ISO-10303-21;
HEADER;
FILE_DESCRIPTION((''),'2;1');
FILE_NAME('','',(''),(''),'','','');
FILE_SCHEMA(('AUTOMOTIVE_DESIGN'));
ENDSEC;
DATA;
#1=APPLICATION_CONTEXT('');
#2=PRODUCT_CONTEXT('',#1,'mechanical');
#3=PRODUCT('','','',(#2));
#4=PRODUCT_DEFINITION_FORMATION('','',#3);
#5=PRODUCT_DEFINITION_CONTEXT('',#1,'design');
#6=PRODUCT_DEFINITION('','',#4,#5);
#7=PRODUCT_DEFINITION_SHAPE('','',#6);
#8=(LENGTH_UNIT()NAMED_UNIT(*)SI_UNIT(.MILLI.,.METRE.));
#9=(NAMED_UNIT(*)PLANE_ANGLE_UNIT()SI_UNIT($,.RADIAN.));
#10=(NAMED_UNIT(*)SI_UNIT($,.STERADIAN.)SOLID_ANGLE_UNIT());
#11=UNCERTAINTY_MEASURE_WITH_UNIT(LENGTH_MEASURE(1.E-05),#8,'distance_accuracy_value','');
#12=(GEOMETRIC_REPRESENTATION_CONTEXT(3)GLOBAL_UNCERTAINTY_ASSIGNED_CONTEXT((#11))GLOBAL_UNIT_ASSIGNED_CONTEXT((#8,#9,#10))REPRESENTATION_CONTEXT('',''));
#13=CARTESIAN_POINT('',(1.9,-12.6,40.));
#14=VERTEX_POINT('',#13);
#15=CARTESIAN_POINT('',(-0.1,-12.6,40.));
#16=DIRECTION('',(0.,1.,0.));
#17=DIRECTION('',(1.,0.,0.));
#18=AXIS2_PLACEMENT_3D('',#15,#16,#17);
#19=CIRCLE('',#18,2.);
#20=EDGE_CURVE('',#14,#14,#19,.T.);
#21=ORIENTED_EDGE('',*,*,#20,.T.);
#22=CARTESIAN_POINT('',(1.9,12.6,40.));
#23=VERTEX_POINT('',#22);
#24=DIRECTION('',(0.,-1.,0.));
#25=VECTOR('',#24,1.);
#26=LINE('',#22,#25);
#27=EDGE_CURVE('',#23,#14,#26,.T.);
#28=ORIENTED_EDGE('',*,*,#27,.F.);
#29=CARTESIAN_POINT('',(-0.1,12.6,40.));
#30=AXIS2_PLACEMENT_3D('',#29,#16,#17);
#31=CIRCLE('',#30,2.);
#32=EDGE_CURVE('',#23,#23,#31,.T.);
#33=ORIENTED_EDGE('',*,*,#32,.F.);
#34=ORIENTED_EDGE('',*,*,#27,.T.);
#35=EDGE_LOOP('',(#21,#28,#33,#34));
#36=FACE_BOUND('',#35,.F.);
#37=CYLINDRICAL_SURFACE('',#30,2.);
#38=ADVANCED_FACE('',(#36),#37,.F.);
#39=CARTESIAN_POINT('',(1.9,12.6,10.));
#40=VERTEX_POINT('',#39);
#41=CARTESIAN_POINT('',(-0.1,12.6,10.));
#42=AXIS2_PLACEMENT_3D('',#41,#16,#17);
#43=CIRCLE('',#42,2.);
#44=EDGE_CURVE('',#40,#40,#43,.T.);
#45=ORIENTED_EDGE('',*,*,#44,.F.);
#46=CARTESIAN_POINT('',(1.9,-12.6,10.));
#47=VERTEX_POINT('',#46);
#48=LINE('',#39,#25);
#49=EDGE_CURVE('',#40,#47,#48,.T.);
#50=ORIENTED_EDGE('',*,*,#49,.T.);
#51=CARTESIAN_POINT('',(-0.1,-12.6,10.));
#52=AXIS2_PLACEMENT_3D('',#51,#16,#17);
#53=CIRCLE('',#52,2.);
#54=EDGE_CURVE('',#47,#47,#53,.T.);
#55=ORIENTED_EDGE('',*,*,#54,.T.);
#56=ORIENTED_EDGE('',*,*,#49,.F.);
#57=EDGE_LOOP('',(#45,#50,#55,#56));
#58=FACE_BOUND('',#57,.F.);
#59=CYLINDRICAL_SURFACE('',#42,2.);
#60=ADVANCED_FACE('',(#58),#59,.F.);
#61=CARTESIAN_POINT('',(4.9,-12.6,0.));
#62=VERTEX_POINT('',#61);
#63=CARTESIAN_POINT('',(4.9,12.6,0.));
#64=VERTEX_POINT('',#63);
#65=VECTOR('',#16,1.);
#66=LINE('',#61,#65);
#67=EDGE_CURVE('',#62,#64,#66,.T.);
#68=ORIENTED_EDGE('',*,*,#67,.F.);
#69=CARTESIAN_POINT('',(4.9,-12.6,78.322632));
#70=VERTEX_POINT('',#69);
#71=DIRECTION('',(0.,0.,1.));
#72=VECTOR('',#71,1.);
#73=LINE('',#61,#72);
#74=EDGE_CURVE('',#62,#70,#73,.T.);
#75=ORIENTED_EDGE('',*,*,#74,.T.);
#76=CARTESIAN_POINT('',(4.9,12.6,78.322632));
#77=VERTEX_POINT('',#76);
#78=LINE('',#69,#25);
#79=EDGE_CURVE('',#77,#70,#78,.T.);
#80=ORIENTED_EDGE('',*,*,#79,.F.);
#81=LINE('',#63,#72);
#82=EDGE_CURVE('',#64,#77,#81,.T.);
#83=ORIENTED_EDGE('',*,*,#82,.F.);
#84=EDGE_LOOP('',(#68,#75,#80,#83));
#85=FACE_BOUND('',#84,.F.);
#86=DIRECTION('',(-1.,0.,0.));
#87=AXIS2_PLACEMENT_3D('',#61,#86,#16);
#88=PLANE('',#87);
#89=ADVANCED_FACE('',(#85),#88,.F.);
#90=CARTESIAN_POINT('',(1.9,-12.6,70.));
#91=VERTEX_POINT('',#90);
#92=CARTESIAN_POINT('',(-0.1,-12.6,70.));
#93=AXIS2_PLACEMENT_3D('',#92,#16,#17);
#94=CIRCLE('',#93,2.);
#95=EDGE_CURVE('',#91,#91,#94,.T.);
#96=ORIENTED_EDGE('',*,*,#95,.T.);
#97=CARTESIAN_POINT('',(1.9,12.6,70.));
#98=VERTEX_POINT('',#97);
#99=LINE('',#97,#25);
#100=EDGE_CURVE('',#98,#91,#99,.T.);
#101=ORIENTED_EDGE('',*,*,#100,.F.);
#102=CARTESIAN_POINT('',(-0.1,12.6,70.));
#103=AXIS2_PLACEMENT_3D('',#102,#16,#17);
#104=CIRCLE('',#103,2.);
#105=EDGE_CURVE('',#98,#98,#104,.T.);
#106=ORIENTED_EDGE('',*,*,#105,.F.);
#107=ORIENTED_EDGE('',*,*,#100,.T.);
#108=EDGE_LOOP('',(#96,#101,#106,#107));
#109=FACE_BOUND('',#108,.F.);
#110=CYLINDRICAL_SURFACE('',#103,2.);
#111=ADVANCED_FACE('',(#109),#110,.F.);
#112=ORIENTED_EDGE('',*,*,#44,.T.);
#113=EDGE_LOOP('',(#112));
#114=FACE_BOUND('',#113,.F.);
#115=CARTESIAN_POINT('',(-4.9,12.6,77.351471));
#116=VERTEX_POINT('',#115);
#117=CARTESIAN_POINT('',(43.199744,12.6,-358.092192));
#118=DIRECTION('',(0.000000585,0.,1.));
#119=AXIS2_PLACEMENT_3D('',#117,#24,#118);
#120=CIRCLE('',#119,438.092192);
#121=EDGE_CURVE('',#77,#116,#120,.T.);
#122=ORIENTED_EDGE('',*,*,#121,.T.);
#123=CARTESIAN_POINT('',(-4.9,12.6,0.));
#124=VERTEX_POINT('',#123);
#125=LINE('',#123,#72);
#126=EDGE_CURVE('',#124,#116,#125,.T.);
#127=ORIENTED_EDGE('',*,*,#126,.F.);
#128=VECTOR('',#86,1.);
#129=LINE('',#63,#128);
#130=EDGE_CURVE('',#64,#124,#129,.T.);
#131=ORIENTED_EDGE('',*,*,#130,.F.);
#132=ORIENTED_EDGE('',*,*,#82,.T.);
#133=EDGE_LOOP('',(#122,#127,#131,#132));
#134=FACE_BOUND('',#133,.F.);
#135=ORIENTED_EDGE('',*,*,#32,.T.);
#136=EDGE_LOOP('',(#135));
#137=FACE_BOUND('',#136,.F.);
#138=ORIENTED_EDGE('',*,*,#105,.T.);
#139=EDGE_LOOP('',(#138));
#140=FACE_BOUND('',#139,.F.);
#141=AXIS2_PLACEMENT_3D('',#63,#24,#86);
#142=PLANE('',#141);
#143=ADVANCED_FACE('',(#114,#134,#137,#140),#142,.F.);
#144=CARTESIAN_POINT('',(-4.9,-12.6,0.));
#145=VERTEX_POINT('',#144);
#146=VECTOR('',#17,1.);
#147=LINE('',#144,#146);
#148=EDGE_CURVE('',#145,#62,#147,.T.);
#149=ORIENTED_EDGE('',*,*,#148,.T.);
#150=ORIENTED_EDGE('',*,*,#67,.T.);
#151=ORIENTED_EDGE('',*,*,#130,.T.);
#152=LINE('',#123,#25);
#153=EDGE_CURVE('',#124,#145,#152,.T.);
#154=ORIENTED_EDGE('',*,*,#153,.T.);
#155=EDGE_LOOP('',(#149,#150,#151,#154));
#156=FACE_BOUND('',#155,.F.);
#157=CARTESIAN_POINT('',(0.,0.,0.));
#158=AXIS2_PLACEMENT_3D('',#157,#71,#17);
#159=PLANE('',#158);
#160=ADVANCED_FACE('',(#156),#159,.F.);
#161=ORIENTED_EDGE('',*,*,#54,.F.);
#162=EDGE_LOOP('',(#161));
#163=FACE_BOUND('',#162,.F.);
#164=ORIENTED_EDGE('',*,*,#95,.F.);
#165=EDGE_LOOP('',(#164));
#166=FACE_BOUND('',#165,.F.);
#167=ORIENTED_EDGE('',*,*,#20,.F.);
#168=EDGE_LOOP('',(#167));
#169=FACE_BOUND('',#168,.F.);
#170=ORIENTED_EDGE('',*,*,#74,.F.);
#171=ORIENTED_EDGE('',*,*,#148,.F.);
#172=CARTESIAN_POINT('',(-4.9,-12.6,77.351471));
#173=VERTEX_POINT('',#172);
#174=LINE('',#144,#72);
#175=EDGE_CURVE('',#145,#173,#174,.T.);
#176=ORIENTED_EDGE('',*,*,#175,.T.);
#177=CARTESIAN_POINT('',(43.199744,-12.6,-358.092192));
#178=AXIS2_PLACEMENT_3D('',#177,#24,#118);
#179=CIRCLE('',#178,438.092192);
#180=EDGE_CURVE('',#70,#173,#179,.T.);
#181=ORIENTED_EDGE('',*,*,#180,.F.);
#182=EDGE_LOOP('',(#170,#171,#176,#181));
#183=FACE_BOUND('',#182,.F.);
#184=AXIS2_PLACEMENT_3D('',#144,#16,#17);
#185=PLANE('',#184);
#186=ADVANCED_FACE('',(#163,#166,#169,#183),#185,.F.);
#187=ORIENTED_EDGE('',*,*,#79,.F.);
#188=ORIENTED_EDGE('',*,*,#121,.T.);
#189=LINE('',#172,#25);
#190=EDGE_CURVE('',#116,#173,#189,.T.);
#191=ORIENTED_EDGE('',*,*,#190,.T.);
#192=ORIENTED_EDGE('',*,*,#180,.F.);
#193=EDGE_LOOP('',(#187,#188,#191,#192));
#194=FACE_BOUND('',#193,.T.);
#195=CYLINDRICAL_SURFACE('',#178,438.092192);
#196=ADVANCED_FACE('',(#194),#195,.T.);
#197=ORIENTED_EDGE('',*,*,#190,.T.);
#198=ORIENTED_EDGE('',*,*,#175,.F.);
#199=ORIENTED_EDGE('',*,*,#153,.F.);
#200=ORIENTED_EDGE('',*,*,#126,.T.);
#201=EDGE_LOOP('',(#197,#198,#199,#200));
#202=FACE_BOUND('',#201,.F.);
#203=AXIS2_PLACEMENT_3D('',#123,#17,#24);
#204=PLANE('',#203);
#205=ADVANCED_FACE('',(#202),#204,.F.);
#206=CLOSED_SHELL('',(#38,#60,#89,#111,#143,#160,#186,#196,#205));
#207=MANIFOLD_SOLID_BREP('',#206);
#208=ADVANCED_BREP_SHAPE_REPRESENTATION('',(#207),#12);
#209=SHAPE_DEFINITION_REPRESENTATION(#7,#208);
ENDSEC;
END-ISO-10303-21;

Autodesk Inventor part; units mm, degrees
ref_plane "YZ Plane" through (0, 0, 0) normal (1, 0, 0) x (0, 1, 0)
ref_plane "XZ Plane" through (0, 0, 0) normal (0, 1, 0) x (-1, 0, 0)
ref_plane "XY Plane" through (0, 0, 0) normal (0, 0, 1) x (1, 0, 0)
sketch "Sketch1" plane through (0, 0, 0) normal (0, 0, 1) x (1, 0, 0)
  line L0 (4.9, 12.6) -> (-4.9, 12.6)
  line L1 (-4.9, 12.6) -> (-4.9, -12.6)
  line L2 (-4.9, -12.6) -> (4.9, -12.6)
  line L3 (4.9, -12.6) -> (4.9, 12.6)
  line L4 (4.9, 12.6) -> (-4.9, -12.6) construction
  line L5 (-4.9, 12.6) -> (4.9, -12.6) construction
  point P0 (0, 0)
  dimension "d0" = 25.2
  dimension "d1" = 9.8
extrude "Extrusion1" add sketch "Sketch1" along normal blind 80
sketch "Sketch2" plane through (-4.9, 12.6, 0) normal (0, 1, 0) x (1, 0, 0)
  circle A0 centre (4.8, -70) radius 2
  circle A1 centre (4.8, -40) radius 2
  circle A2 centre (4.8, -10) radius 2
  line L0 (9.8, -80) -> (0, -80) projected
  line L1 (9.8, 0) -> (0, 0) projected
  line L2 (9.8, 0) -> (9.8, -80) projected
  point P0 (4.9, 0)
  point P1 (9.8, -40)
  dimension "d4" = 4
  dimension "d5" = 4
  dimension "d6" = 4
  dimension "d7" = 10
  dimension "d8" = 10
  dimension "d9" = 40
  dimension "d10" = 5
  dimension "d11" = 5
  dimension "d12" = 5
extrude "Extrusion2" cut sketch "Sketch2" against normal blind 80
sketch "Sketch3" plane through (-4.9, -12.6, 0) normal (0, -1, 0) x (1, 0, 0)
  arc A0 (48.1, 80) -> (-9.1978, 76.2369) centre (48.1, -358.1) ccw
  line L0 (0, 80) -> (9.8, 80) projected
  line L1 (0, 0) -> (0, 80) projected
  line L2 (0, 80) -> (48.1, 80)
  line L3 (-9.1978, 76.2369) -> (-9.1978, 80)
  line L4 (-9.1978, 80) -> (0, 80)
  point P0 (4.9, 0)
  point P1 (4.9, 80)
  dimension "d15" = 876.2
  dimension "d17" = 48.1
  dimension "d18" = 438.1
extrude "Extrusion3" cut sketch "Sketch3" against normal through all
properties part number "ReleaseMec2.0SideWall"
